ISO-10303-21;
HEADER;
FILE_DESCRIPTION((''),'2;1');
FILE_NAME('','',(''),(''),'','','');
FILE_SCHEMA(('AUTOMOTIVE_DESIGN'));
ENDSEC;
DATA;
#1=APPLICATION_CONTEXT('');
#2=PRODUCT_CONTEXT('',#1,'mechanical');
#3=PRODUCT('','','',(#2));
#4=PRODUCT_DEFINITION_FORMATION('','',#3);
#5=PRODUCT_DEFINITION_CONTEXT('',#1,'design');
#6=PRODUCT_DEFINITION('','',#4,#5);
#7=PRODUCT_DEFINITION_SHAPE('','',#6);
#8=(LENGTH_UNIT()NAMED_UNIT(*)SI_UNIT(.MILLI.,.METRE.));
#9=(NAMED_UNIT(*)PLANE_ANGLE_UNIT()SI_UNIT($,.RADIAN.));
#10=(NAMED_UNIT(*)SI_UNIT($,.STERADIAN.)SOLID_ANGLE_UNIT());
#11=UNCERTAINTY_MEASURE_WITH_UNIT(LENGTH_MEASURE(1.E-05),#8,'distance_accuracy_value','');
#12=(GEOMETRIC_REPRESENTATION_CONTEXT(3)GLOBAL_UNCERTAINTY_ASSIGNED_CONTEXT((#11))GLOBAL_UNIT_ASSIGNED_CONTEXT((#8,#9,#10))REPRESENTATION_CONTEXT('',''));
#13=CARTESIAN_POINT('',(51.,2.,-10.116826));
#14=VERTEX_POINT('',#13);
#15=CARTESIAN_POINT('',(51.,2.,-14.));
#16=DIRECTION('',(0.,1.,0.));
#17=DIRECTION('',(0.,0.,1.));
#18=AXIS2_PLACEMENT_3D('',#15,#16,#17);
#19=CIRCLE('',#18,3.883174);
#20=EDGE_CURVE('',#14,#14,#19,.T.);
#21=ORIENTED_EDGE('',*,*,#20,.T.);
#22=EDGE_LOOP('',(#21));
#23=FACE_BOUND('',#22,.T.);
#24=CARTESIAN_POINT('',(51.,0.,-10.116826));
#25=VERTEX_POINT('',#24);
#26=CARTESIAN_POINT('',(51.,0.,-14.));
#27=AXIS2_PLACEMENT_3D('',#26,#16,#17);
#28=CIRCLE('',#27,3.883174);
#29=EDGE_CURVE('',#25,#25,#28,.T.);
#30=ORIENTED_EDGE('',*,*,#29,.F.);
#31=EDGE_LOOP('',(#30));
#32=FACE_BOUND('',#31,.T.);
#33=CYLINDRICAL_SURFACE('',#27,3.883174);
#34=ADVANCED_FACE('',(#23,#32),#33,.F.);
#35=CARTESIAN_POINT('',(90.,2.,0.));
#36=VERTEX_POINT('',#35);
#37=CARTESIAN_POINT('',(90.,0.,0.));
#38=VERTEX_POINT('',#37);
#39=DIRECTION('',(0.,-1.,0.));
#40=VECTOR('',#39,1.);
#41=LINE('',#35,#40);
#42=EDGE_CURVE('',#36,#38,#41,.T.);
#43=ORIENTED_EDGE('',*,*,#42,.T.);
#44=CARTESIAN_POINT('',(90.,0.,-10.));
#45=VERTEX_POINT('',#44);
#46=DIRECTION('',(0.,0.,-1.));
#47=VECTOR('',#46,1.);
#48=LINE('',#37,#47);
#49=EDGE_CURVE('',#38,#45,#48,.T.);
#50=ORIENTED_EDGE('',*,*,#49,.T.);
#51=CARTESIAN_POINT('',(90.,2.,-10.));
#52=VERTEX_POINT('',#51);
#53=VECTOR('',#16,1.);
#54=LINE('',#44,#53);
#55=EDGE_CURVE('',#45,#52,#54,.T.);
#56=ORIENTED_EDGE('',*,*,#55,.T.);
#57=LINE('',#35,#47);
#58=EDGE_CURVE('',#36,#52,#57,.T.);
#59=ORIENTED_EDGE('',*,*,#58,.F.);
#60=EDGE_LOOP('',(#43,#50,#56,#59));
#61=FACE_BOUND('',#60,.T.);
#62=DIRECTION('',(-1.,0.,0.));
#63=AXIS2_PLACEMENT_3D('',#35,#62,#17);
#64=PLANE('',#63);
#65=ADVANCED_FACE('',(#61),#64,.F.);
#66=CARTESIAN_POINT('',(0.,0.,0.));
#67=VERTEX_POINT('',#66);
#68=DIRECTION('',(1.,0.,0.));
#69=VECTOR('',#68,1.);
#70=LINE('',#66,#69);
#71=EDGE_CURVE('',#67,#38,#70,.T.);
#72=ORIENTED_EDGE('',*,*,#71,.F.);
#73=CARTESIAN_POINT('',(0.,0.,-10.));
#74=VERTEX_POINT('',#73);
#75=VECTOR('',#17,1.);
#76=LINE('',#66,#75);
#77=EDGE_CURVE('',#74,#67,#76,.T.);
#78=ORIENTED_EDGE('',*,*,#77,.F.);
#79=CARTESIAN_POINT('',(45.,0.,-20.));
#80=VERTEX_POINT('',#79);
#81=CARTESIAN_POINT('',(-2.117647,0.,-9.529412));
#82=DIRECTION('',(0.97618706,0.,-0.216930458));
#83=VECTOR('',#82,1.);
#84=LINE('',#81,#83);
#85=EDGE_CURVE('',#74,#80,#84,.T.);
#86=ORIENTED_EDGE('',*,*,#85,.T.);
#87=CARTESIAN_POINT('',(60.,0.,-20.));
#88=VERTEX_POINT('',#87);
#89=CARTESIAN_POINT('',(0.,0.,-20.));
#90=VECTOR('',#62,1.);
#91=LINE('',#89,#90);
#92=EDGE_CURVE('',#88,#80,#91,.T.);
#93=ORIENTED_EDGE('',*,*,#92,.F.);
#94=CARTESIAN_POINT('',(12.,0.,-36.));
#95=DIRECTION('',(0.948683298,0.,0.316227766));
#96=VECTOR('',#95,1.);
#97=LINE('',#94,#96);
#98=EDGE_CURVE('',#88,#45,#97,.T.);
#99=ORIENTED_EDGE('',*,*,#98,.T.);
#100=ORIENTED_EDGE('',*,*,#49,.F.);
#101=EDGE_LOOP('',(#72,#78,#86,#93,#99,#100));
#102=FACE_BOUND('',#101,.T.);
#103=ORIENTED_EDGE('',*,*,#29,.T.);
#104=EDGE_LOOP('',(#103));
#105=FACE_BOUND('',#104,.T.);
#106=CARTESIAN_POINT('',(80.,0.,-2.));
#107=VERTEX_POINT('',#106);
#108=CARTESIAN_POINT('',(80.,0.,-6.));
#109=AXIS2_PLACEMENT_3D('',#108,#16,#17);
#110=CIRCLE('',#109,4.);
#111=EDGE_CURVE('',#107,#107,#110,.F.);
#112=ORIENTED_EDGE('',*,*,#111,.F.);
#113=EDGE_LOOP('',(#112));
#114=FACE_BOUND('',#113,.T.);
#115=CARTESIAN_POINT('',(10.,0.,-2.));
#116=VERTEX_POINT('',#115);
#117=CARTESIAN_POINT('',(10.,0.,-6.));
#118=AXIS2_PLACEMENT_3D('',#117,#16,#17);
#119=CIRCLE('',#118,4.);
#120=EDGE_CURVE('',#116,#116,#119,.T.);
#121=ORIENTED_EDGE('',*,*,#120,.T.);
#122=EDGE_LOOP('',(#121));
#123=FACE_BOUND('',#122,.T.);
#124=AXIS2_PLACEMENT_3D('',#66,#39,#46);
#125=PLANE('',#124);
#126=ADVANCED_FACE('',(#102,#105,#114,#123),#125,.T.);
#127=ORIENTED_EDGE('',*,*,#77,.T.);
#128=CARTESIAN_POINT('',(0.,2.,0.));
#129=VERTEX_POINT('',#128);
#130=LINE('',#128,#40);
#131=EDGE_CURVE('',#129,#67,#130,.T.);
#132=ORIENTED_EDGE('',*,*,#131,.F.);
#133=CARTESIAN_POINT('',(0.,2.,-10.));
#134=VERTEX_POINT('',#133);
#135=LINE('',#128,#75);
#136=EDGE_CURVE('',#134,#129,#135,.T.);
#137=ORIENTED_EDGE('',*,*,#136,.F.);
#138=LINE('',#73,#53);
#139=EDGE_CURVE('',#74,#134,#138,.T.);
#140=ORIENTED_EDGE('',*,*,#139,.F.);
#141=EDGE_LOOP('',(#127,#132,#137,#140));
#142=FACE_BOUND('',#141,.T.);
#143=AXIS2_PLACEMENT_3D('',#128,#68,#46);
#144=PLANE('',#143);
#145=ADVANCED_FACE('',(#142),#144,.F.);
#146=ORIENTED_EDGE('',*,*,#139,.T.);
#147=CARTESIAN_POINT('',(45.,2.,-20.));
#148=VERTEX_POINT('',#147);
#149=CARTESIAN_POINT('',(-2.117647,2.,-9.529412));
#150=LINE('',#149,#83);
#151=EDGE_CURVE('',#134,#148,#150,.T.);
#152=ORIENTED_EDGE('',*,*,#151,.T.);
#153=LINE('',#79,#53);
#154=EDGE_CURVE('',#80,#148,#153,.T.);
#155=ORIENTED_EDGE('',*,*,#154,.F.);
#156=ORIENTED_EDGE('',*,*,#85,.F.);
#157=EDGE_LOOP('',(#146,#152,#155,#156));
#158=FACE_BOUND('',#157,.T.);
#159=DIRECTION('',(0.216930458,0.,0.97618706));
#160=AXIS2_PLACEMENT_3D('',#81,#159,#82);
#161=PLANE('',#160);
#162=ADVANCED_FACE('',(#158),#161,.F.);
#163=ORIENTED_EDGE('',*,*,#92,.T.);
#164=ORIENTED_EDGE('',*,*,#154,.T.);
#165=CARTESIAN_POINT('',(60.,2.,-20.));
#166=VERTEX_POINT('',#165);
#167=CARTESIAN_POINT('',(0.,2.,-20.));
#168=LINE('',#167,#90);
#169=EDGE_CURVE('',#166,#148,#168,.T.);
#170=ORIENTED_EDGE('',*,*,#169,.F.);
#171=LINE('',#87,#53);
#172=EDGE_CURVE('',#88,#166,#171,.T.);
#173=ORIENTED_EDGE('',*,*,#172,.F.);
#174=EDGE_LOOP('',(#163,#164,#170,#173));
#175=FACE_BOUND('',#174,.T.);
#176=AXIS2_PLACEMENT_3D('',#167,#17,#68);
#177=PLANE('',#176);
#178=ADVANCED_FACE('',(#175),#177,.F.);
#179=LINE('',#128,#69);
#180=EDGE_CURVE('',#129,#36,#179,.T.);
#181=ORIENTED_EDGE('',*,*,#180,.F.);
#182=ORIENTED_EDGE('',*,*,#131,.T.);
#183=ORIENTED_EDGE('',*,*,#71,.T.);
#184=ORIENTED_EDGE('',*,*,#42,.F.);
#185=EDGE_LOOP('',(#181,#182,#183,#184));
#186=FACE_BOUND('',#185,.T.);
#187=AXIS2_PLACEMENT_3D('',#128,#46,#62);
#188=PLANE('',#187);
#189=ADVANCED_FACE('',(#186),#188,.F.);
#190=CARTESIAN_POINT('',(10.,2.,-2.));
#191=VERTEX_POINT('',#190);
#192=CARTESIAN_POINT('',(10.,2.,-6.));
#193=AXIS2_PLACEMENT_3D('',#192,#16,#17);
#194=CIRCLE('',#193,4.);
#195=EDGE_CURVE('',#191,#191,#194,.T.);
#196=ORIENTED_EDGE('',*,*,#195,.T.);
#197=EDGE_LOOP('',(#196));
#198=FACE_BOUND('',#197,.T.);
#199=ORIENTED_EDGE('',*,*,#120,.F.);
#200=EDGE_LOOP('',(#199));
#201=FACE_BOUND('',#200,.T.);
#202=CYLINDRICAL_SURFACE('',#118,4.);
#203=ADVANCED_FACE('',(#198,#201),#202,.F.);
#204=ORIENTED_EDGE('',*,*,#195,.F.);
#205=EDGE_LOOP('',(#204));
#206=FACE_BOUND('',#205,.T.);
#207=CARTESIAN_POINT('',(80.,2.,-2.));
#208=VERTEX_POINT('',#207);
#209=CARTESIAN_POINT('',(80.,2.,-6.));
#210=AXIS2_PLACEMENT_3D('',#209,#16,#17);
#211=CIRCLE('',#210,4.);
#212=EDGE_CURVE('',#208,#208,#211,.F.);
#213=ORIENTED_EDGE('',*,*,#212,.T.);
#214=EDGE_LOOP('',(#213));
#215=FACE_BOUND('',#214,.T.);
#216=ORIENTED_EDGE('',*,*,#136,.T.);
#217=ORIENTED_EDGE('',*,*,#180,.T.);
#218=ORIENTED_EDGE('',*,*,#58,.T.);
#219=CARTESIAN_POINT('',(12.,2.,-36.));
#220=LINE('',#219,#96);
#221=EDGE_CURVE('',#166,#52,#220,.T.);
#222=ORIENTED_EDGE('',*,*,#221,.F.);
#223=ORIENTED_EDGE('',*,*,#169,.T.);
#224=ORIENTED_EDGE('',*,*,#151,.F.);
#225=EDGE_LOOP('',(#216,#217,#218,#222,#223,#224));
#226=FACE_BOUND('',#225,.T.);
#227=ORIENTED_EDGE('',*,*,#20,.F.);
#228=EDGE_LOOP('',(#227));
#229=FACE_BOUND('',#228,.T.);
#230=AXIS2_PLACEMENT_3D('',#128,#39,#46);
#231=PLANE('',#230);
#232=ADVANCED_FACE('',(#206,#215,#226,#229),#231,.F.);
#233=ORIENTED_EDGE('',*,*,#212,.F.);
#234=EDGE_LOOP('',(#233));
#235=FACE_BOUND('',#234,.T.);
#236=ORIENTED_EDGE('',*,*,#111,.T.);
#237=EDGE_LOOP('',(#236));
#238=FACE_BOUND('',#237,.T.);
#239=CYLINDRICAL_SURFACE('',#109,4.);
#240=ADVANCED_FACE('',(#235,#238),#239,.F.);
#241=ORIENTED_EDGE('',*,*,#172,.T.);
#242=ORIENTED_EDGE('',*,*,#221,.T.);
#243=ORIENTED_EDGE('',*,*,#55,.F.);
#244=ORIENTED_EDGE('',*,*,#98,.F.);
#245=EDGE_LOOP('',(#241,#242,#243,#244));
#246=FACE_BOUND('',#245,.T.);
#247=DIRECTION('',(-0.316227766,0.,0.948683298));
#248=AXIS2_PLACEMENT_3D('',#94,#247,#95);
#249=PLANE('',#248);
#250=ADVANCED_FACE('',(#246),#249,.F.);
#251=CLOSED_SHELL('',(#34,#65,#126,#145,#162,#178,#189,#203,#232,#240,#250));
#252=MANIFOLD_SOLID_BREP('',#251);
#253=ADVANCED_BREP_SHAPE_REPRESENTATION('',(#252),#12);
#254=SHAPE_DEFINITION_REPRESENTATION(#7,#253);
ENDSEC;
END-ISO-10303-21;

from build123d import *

# Parameters (mm, degrees)
SKETCH1_W           = 90
SKETCH1_H           = 20
BOSS_EXTRUDE1_DEPTH = 2
SKETCH2_R           = 4
SKETCH2_R_2         = 3.883174387
CUT_EXTRUDE1_DEPTH  = 2


with BuildPart() as part:
    # Sketch1 → Boss-Extrude1 (new body)
    with BuildSketch(Plane(origin=(0, 0, 0), x_dir=(1, 0, 0), z_dir=(0, 1, 0))):
        with Locations((45, 10)):
            Rectangle(SKETCH1_W, SKETCH1_H)
    extrude(amount=BOSS_EXTRUDE1_DEPTH)

    # Sketch2 → Cut-Extrude1 (cut)
    with BuildSketch(Plane(origin=(0, 2, 0), x_dir=(1, 0, 0), z_dir=(0, 1, 0))):
        with Locations(Location((10, 6, 0), (0, 0, 270))):
            Circle(SKETCH2_R)
        with Locations(Location((51, 14, 0), (0, 0, 270))):
            Circle(SKETCH2_R_2)
        with Locations(Location((80, 6, 0), (0, 0, 270))):
            Circle(SKETCH2_R)
        Polygon((0, 20), (0, 10), (45, 20), align=None)
        Polygon((90, 20), (60, 20), (90, 10), align=None)
    extrude(amount=-CUT_EXTRUDE1_DEPTH, mode=Mode.SUBTRACT)


solid = part.part
